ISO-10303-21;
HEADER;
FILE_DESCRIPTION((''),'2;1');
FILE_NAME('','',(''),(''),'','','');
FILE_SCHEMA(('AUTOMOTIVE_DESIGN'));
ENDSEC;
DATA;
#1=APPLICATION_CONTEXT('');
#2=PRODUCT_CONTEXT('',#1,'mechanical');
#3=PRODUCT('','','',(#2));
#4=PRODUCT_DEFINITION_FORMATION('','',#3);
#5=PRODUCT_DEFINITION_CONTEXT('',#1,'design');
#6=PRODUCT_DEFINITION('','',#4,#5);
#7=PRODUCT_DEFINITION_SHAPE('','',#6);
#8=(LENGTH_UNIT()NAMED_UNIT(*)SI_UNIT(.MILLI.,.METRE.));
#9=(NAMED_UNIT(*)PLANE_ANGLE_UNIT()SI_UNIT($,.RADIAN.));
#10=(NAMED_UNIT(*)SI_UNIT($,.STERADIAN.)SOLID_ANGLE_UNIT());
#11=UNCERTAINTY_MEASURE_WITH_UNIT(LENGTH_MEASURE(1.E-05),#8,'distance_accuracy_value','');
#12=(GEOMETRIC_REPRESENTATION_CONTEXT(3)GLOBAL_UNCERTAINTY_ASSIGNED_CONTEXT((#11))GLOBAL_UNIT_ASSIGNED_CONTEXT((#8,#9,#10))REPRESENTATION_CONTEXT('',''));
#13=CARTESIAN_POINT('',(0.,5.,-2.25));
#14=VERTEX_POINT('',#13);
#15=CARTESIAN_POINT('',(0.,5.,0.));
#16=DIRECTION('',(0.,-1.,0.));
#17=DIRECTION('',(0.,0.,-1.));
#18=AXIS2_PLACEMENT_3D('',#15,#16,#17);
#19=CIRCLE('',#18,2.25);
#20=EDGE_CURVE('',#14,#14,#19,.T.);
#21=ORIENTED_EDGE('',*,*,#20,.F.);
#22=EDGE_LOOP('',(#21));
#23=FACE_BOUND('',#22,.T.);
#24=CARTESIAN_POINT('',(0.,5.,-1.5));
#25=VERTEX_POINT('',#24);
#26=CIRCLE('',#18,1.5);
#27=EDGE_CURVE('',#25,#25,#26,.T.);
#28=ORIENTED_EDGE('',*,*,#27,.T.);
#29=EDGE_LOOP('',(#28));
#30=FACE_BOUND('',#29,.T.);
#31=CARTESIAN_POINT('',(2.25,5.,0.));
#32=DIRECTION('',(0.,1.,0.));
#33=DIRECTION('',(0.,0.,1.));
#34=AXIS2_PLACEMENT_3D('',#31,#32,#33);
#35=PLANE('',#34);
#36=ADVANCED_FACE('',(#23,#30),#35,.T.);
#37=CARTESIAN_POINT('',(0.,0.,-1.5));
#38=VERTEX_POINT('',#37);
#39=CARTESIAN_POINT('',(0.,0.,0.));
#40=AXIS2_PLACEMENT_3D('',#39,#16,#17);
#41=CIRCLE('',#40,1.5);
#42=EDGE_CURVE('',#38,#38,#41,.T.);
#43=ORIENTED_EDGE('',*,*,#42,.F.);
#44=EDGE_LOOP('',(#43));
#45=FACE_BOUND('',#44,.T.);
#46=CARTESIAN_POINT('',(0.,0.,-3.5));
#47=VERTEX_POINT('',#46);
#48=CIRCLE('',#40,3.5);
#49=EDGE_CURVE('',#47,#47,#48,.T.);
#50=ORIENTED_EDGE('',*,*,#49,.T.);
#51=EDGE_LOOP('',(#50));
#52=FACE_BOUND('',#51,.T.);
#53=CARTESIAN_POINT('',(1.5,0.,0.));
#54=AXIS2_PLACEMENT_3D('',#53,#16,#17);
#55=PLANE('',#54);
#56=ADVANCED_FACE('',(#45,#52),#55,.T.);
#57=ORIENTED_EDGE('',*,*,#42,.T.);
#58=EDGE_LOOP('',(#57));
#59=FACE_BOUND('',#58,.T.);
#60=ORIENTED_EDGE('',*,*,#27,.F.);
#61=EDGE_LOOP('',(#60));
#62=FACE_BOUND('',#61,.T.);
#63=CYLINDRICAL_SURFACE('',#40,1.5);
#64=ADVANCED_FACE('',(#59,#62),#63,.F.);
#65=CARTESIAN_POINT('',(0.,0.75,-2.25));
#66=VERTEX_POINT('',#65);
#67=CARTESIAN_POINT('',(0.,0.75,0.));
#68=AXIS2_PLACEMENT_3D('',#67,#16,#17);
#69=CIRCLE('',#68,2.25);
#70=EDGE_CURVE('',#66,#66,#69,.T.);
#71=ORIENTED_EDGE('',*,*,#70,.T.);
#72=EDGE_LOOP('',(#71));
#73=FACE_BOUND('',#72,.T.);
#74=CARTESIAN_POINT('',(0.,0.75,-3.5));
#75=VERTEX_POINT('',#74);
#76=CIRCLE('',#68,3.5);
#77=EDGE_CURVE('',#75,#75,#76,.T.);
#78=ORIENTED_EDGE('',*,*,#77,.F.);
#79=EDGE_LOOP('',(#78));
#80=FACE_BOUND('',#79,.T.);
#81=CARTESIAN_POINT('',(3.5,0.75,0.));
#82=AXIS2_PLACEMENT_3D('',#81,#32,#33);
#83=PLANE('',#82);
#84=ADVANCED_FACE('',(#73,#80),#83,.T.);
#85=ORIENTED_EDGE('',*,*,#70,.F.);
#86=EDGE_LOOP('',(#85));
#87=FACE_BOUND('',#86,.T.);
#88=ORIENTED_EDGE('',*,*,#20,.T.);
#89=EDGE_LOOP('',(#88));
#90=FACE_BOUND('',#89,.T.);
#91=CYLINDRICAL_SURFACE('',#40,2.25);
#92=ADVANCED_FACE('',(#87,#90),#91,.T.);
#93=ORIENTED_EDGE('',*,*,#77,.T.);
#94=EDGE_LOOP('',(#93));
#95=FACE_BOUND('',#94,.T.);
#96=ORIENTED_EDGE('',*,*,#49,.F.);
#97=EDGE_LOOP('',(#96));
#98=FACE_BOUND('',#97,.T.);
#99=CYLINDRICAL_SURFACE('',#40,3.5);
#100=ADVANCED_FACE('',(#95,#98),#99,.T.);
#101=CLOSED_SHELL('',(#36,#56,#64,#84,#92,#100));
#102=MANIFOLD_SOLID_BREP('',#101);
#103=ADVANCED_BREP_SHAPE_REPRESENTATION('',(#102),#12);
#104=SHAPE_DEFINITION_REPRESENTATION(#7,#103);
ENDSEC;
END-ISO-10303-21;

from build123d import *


with BuildPart() as part:
    # ｽｹｯﾁ1 → 回転1 (revolve)
    with BuildSketch(Plane.XY):
        Polygon((1.5, 0), (3.5, 0), (3.5, 0.75), (2.25, 0.75), (2.25, 5), (1.5, 5), align=None)
    revolve(axis=Axis((0, 0, 0), (0, 1, 0)))


solid = part.part
